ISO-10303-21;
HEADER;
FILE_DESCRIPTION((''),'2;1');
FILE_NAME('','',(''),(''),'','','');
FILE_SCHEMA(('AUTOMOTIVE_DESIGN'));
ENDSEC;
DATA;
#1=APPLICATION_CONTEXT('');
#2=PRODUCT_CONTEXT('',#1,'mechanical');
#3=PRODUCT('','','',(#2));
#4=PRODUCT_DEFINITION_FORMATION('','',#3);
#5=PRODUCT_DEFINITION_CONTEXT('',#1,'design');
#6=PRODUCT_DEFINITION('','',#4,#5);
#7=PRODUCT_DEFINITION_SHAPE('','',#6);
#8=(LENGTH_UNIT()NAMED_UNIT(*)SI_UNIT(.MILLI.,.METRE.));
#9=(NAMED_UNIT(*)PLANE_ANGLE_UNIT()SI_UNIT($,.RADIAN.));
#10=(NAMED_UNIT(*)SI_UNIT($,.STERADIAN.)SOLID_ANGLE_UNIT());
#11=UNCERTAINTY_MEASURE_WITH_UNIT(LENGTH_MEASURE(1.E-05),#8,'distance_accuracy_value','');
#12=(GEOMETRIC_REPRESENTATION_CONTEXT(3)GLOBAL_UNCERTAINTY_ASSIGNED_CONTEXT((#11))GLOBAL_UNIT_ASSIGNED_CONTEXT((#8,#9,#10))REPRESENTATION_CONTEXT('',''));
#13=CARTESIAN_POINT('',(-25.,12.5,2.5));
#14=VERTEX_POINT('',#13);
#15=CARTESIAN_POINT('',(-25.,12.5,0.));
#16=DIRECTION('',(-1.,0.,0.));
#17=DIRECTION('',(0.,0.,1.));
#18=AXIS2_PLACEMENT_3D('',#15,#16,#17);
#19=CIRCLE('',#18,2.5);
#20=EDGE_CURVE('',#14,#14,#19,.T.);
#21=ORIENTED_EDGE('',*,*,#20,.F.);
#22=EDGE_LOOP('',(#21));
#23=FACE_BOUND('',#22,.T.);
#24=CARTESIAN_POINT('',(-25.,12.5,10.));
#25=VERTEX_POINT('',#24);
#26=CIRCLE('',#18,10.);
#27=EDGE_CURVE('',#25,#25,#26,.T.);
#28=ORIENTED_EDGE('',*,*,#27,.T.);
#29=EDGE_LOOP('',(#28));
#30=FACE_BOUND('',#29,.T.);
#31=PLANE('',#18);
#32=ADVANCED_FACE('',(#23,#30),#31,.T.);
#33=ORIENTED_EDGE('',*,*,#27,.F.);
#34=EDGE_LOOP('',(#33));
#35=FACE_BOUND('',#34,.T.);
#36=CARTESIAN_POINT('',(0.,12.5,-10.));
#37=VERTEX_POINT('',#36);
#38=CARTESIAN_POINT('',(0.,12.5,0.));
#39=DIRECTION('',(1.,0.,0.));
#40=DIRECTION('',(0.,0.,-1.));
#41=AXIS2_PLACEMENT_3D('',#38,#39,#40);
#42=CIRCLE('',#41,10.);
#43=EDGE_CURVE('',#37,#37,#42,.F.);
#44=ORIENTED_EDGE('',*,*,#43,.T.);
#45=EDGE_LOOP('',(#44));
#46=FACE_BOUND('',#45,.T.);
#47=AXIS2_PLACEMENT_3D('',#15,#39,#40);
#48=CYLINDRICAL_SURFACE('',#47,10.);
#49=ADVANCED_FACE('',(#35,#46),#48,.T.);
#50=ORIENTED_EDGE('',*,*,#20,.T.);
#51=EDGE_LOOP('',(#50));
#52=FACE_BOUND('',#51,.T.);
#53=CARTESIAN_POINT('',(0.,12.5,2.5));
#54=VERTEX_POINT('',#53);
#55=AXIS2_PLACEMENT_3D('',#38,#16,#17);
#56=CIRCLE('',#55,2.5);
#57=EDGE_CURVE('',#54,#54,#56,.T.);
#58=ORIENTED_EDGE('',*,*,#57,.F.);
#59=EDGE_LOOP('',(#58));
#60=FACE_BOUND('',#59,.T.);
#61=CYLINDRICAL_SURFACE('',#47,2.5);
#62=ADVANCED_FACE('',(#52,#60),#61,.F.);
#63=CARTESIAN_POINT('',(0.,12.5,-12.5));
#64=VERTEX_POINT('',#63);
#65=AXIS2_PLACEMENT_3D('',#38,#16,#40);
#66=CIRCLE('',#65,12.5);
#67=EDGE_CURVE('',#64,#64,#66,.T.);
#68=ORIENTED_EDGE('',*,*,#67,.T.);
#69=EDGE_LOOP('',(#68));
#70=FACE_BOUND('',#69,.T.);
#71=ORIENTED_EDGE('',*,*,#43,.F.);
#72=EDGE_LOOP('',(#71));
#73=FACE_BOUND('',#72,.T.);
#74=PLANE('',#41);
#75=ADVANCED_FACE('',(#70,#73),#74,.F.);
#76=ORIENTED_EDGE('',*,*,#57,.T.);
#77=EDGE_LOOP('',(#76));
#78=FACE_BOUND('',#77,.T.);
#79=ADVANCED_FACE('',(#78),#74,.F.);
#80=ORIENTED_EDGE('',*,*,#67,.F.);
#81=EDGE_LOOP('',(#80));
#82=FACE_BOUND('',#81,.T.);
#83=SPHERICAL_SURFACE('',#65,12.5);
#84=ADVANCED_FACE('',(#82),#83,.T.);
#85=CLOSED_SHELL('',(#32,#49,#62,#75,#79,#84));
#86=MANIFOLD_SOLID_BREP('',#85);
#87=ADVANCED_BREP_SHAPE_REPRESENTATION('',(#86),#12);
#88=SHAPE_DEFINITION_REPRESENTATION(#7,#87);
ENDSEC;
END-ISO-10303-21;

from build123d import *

# Parameters (mm, degrees)
REVOLVE_1_ANGLE = 180
SKETCH_2_R      = 10
SKETCH_2_R_2    = 2.5
EXTRUDE_1_DEPTH = 25


with BuildPart() as part:
    # 草圖1 → 旋轉1 (revolve)
    with BuildSketch(Plane(origin=(0, 0, 0), x_dir=(0, 0, -1), z_dir=(1, 0, 0))):
        with BuildLine():
            Line((0, 25), (0, 0))
            ThreePointArc((0, 0), (12.5, 12.5), (0, 25))
        make_face()
    revolve(axis=Axis((0, 25, 0), (0, -1, 0)), revolution_arc=REVOLVE_1_ANGLE)

    # 草圖2 → 填料-伸長1 (add)
    with BuildSketch(Plane.ZY):
        with Locations(Location((0, 12.5, 0), (0, 0, 180))):
            Circle(SKETCH_2_R)
        with Locations((0, 12.5)):
            Circle(SKETCH_2_R_2, mode=Mode.SUBTRACT)
    extrude(amount=EXTRUDE_1_DEPTH)


solid = part.part
